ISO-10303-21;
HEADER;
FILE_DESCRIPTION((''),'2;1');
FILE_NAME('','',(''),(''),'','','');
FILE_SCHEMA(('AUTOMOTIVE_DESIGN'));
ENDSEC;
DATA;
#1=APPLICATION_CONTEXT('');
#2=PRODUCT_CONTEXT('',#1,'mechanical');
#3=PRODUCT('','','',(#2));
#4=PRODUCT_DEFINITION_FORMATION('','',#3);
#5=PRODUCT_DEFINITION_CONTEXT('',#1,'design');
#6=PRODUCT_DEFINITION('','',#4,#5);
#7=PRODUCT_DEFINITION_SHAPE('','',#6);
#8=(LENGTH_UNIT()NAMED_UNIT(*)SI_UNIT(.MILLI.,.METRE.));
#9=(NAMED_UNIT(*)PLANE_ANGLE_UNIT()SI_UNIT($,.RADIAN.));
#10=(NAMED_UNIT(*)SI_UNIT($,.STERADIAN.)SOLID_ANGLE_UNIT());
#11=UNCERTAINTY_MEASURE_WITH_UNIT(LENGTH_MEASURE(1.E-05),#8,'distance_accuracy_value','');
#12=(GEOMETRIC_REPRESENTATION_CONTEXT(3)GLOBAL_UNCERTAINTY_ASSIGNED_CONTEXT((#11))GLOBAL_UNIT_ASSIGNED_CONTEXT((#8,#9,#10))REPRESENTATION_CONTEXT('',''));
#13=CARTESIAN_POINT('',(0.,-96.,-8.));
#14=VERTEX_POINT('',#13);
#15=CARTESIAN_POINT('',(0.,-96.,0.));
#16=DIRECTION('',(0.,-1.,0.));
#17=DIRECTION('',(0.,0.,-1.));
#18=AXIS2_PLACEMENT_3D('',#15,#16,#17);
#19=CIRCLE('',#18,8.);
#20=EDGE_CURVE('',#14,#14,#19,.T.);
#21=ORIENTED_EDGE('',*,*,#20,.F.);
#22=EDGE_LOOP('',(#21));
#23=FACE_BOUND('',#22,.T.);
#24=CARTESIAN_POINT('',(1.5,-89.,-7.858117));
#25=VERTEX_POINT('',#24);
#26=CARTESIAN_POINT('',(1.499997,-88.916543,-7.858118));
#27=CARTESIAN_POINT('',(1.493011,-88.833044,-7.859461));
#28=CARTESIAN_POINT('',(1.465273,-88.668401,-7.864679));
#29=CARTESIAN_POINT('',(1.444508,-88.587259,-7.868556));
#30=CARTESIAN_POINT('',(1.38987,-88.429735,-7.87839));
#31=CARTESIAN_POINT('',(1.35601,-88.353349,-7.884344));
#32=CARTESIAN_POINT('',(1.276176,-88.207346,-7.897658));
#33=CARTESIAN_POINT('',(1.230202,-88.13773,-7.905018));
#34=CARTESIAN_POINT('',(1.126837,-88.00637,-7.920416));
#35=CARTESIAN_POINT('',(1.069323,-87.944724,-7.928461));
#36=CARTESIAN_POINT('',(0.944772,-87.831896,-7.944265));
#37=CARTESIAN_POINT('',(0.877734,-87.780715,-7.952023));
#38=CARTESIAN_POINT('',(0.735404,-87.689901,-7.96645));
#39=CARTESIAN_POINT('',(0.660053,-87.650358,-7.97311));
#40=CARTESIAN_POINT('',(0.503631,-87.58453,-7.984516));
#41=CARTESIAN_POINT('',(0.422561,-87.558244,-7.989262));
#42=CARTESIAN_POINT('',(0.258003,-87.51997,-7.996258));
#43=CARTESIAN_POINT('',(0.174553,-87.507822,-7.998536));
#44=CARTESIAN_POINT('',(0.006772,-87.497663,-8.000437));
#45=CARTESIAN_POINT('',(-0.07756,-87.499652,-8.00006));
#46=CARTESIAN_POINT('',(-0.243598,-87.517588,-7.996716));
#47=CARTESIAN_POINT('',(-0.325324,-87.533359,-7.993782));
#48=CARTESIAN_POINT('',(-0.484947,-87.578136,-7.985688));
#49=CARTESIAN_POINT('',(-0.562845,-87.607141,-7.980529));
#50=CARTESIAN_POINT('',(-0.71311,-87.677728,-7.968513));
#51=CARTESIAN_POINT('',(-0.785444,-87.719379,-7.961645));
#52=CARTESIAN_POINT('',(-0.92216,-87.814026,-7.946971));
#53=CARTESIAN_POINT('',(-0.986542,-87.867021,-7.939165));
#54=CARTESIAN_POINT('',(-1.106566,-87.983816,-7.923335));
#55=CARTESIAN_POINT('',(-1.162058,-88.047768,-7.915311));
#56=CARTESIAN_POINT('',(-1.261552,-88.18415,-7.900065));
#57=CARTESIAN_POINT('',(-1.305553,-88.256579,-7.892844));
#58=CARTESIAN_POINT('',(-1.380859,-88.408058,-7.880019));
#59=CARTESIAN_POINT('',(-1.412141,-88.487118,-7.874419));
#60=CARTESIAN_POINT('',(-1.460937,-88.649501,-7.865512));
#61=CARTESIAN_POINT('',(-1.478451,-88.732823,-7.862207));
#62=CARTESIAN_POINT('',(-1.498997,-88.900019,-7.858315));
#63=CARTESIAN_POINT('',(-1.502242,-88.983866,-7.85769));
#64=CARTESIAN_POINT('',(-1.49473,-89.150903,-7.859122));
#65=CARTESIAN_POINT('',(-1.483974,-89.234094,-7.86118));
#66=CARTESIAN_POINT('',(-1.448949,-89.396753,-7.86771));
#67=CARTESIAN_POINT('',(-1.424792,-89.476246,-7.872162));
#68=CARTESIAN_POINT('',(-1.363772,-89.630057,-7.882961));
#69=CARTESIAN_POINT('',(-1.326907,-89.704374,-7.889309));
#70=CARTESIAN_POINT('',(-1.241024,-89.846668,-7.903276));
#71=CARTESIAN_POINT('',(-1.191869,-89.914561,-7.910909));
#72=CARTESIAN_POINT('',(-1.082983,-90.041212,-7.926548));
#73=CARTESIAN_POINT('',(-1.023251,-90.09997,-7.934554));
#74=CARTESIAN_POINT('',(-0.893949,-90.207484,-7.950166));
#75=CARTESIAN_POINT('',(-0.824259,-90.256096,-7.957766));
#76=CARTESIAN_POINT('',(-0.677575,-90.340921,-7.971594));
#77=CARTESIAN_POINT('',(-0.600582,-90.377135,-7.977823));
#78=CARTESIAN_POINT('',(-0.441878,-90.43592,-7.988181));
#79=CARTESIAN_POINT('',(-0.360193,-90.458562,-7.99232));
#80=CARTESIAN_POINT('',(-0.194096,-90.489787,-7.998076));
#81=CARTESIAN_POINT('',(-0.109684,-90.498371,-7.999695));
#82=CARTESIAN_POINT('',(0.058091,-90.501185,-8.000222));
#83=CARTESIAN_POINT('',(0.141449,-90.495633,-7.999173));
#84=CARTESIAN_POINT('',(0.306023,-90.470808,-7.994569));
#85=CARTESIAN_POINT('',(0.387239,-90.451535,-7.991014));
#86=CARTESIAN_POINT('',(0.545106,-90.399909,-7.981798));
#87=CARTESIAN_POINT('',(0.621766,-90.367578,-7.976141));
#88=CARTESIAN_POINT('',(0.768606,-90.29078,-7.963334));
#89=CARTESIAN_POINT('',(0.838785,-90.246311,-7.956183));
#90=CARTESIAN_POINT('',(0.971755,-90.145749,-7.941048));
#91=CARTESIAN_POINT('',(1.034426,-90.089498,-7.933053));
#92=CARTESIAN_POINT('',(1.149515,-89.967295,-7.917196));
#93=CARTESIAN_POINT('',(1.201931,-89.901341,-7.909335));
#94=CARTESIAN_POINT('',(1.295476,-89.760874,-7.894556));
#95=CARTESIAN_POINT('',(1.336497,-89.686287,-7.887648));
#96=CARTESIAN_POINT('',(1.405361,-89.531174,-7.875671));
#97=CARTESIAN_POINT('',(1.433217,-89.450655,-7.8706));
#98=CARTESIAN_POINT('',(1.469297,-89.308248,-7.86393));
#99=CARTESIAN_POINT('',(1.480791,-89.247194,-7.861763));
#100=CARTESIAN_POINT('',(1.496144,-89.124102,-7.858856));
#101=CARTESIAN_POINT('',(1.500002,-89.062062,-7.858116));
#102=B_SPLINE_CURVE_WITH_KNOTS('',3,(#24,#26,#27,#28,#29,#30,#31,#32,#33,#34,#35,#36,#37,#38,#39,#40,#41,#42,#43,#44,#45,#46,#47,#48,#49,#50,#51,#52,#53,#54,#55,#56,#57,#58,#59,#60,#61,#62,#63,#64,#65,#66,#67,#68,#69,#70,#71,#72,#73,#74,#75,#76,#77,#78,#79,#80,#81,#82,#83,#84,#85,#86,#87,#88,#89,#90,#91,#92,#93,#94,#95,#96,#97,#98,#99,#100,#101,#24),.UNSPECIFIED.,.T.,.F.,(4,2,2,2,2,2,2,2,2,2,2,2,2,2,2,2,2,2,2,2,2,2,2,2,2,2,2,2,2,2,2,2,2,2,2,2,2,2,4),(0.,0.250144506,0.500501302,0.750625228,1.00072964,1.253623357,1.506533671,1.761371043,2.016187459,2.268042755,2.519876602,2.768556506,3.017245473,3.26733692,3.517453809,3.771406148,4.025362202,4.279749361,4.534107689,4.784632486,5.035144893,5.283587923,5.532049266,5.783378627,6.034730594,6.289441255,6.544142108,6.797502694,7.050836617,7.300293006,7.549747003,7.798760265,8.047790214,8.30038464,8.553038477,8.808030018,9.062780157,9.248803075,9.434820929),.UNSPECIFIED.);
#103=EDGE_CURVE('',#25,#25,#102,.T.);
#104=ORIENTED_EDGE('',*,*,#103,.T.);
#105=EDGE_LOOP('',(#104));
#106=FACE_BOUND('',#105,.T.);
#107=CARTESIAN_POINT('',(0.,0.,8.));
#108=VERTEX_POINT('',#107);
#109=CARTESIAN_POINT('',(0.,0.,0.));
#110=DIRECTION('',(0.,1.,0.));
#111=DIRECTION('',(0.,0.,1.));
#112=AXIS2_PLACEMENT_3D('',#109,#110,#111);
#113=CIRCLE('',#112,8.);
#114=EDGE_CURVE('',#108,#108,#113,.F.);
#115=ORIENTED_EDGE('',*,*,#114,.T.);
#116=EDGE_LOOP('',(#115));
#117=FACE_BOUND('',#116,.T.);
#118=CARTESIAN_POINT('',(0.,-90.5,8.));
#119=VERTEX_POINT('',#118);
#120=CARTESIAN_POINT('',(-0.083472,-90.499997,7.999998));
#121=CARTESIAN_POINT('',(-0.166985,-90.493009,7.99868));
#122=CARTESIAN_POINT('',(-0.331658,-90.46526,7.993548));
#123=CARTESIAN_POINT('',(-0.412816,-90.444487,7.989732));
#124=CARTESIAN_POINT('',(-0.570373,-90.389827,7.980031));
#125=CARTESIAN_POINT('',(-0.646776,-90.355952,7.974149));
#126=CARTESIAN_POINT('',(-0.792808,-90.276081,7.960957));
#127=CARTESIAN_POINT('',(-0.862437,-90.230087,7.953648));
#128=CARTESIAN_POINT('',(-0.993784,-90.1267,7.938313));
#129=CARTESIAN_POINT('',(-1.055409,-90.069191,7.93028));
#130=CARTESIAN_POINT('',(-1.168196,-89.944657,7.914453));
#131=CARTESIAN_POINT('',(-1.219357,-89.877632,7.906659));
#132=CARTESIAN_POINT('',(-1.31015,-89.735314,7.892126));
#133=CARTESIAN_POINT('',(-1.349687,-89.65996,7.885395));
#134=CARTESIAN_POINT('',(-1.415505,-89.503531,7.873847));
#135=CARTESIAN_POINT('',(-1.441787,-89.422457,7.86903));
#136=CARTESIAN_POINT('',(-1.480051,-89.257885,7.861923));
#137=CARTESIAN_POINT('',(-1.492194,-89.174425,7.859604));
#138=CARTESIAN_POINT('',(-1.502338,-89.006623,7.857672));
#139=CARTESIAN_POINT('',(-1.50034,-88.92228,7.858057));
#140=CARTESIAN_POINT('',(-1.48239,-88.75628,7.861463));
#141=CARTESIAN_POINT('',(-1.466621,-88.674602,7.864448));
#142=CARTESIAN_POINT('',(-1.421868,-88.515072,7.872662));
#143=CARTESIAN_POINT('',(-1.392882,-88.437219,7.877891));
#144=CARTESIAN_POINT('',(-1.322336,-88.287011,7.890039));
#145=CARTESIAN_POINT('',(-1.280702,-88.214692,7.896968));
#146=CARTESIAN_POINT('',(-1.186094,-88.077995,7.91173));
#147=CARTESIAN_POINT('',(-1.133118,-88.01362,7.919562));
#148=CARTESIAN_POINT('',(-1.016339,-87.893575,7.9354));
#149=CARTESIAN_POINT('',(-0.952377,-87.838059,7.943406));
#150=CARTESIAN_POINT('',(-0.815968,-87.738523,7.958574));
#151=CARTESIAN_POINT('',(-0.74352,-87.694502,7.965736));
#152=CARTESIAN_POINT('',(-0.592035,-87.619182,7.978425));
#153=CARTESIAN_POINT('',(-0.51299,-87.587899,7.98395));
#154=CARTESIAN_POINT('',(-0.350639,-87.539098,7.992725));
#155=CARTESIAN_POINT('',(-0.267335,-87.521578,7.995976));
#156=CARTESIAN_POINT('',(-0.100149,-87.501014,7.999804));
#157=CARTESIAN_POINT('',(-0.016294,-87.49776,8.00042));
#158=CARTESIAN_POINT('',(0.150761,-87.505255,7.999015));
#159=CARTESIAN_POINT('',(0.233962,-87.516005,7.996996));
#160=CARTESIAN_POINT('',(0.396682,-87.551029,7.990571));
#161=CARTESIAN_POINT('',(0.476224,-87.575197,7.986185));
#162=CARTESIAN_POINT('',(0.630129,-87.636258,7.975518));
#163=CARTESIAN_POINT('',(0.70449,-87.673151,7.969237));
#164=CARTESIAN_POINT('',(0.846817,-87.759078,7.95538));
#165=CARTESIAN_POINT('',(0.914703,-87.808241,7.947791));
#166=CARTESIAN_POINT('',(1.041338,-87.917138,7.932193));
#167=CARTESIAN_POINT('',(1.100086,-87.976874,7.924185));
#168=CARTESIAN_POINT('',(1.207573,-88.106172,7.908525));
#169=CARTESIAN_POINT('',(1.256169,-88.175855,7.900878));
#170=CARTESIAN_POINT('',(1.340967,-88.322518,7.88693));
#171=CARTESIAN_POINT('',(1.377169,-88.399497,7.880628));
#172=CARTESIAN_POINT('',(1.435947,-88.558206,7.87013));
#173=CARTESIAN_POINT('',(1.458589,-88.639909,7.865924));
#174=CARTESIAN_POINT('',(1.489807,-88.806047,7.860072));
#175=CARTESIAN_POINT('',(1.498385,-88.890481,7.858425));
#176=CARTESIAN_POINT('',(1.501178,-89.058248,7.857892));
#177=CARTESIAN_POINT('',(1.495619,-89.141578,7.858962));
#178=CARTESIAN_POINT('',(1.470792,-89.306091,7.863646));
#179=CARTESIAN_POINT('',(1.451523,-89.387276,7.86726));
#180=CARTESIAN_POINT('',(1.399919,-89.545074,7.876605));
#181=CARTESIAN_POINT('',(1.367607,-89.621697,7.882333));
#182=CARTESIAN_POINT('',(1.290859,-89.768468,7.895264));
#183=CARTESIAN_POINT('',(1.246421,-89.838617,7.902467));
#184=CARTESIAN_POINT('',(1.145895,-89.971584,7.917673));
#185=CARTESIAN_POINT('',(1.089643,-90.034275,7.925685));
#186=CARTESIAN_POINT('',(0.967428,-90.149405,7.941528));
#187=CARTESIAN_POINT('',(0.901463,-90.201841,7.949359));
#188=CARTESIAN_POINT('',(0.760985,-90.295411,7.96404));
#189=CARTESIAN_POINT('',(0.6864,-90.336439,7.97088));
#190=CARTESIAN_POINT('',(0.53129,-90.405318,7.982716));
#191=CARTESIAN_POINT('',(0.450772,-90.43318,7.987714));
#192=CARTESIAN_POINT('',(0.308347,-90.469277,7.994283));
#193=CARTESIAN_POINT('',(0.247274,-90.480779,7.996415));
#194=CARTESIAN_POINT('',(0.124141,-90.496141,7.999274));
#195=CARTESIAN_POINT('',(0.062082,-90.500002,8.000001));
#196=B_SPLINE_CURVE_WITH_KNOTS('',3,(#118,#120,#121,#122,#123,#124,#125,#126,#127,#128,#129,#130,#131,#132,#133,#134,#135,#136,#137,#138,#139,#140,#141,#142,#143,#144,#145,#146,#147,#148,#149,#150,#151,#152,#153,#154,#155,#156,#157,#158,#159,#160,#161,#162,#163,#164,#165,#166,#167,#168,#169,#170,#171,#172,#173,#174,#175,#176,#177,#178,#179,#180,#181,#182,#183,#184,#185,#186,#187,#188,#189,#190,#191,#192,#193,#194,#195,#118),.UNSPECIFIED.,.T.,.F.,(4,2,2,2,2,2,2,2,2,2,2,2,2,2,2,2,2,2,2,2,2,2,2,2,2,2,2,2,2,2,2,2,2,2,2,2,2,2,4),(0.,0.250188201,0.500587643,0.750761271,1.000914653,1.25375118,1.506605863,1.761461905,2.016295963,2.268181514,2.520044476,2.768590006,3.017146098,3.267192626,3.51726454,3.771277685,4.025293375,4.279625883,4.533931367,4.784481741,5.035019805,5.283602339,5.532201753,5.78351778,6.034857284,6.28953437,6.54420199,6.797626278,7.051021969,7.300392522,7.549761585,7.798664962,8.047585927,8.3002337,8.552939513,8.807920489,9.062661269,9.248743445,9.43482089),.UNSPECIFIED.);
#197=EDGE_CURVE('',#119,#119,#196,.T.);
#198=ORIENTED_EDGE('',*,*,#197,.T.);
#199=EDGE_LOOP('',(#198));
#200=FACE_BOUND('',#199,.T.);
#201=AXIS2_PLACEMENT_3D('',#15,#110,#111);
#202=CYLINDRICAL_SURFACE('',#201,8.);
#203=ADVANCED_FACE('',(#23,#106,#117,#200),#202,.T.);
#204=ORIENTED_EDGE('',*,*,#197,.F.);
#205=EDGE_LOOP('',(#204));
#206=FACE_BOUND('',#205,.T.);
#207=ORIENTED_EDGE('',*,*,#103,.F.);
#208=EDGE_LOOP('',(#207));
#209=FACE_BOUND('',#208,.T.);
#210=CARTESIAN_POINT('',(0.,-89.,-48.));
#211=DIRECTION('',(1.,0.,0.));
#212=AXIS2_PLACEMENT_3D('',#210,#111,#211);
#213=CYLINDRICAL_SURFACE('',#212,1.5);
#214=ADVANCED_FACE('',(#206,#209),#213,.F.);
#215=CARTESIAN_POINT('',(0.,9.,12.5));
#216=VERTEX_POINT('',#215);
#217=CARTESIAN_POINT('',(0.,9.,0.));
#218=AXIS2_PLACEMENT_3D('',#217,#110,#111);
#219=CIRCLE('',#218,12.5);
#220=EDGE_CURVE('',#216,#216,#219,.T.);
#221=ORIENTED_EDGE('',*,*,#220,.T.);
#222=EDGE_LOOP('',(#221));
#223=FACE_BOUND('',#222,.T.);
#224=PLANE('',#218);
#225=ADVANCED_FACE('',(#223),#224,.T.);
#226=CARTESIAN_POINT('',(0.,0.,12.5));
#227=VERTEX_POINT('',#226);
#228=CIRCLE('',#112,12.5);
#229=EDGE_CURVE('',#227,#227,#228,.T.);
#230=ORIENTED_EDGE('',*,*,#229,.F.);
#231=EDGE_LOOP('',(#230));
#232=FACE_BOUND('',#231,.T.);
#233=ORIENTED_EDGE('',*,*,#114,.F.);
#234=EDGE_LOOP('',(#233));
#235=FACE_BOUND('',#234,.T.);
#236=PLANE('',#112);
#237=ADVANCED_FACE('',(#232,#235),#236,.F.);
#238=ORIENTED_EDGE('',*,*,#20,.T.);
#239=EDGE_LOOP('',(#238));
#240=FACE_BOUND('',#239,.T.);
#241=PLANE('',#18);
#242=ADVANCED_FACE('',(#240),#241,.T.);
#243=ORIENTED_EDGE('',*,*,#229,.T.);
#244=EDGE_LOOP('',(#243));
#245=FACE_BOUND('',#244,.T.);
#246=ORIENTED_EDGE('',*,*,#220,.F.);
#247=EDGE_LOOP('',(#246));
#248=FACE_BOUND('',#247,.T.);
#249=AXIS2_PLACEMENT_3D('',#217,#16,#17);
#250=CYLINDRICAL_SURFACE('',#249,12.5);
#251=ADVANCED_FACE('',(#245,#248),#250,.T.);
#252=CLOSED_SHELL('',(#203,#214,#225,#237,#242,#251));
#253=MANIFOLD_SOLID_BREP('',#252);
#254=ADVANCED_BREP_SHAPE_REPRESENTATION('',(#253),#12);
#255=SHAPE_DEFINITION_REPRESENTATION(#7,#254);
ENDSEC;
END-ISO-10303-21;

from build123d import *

# Parameters (mm, degrees)
SKETCH1_R           = 12.5
BOSS_EXTRUDE1_DEPTH = 9
SKETCH2_R           = 8
BOSS_EXTRUDE2_DEPTH = 96
SKETCH3_R           = 1.5
CUT_EXTRUDE1_DEPTH  = 48


with BuildPart() as part:
    # Sketch1 → Boss-Extrude1 (new body)
    with BuildSketch(Plane(origin=(0, 0, 0), x_dir=(1, 0, 0), z_dir=(0, 1, 0))):
        with Locations(Location((0, 0, 0), (0, 0, 270))):
            Circle(SKETCH1_R)
    extrude(amount=BOSS_EXTRUDE1_DEPTH)

    # Sketch2 → Boss-Extrude2 (add)
    with BuildSketch(Plane.XZ):
        with Locations(Location((0, 0, 0), (0, 0, 90))):
            Circle(SKETCH2_R)
    extrude(amount=BOSS_EXTRUDE2_DEPTH)

    # Sketch3 → Cut-Extrude1 (cut, symmetric)
    with BuildSketch(Plane.XY):
        with Locations((0, -89)):
            Circle(SKETCH3_R)
    extrude(amount=CUT_EXTRUDE1_DEPTH, both=True, mode=Mode.SUBTRACT)


solid = part.part
